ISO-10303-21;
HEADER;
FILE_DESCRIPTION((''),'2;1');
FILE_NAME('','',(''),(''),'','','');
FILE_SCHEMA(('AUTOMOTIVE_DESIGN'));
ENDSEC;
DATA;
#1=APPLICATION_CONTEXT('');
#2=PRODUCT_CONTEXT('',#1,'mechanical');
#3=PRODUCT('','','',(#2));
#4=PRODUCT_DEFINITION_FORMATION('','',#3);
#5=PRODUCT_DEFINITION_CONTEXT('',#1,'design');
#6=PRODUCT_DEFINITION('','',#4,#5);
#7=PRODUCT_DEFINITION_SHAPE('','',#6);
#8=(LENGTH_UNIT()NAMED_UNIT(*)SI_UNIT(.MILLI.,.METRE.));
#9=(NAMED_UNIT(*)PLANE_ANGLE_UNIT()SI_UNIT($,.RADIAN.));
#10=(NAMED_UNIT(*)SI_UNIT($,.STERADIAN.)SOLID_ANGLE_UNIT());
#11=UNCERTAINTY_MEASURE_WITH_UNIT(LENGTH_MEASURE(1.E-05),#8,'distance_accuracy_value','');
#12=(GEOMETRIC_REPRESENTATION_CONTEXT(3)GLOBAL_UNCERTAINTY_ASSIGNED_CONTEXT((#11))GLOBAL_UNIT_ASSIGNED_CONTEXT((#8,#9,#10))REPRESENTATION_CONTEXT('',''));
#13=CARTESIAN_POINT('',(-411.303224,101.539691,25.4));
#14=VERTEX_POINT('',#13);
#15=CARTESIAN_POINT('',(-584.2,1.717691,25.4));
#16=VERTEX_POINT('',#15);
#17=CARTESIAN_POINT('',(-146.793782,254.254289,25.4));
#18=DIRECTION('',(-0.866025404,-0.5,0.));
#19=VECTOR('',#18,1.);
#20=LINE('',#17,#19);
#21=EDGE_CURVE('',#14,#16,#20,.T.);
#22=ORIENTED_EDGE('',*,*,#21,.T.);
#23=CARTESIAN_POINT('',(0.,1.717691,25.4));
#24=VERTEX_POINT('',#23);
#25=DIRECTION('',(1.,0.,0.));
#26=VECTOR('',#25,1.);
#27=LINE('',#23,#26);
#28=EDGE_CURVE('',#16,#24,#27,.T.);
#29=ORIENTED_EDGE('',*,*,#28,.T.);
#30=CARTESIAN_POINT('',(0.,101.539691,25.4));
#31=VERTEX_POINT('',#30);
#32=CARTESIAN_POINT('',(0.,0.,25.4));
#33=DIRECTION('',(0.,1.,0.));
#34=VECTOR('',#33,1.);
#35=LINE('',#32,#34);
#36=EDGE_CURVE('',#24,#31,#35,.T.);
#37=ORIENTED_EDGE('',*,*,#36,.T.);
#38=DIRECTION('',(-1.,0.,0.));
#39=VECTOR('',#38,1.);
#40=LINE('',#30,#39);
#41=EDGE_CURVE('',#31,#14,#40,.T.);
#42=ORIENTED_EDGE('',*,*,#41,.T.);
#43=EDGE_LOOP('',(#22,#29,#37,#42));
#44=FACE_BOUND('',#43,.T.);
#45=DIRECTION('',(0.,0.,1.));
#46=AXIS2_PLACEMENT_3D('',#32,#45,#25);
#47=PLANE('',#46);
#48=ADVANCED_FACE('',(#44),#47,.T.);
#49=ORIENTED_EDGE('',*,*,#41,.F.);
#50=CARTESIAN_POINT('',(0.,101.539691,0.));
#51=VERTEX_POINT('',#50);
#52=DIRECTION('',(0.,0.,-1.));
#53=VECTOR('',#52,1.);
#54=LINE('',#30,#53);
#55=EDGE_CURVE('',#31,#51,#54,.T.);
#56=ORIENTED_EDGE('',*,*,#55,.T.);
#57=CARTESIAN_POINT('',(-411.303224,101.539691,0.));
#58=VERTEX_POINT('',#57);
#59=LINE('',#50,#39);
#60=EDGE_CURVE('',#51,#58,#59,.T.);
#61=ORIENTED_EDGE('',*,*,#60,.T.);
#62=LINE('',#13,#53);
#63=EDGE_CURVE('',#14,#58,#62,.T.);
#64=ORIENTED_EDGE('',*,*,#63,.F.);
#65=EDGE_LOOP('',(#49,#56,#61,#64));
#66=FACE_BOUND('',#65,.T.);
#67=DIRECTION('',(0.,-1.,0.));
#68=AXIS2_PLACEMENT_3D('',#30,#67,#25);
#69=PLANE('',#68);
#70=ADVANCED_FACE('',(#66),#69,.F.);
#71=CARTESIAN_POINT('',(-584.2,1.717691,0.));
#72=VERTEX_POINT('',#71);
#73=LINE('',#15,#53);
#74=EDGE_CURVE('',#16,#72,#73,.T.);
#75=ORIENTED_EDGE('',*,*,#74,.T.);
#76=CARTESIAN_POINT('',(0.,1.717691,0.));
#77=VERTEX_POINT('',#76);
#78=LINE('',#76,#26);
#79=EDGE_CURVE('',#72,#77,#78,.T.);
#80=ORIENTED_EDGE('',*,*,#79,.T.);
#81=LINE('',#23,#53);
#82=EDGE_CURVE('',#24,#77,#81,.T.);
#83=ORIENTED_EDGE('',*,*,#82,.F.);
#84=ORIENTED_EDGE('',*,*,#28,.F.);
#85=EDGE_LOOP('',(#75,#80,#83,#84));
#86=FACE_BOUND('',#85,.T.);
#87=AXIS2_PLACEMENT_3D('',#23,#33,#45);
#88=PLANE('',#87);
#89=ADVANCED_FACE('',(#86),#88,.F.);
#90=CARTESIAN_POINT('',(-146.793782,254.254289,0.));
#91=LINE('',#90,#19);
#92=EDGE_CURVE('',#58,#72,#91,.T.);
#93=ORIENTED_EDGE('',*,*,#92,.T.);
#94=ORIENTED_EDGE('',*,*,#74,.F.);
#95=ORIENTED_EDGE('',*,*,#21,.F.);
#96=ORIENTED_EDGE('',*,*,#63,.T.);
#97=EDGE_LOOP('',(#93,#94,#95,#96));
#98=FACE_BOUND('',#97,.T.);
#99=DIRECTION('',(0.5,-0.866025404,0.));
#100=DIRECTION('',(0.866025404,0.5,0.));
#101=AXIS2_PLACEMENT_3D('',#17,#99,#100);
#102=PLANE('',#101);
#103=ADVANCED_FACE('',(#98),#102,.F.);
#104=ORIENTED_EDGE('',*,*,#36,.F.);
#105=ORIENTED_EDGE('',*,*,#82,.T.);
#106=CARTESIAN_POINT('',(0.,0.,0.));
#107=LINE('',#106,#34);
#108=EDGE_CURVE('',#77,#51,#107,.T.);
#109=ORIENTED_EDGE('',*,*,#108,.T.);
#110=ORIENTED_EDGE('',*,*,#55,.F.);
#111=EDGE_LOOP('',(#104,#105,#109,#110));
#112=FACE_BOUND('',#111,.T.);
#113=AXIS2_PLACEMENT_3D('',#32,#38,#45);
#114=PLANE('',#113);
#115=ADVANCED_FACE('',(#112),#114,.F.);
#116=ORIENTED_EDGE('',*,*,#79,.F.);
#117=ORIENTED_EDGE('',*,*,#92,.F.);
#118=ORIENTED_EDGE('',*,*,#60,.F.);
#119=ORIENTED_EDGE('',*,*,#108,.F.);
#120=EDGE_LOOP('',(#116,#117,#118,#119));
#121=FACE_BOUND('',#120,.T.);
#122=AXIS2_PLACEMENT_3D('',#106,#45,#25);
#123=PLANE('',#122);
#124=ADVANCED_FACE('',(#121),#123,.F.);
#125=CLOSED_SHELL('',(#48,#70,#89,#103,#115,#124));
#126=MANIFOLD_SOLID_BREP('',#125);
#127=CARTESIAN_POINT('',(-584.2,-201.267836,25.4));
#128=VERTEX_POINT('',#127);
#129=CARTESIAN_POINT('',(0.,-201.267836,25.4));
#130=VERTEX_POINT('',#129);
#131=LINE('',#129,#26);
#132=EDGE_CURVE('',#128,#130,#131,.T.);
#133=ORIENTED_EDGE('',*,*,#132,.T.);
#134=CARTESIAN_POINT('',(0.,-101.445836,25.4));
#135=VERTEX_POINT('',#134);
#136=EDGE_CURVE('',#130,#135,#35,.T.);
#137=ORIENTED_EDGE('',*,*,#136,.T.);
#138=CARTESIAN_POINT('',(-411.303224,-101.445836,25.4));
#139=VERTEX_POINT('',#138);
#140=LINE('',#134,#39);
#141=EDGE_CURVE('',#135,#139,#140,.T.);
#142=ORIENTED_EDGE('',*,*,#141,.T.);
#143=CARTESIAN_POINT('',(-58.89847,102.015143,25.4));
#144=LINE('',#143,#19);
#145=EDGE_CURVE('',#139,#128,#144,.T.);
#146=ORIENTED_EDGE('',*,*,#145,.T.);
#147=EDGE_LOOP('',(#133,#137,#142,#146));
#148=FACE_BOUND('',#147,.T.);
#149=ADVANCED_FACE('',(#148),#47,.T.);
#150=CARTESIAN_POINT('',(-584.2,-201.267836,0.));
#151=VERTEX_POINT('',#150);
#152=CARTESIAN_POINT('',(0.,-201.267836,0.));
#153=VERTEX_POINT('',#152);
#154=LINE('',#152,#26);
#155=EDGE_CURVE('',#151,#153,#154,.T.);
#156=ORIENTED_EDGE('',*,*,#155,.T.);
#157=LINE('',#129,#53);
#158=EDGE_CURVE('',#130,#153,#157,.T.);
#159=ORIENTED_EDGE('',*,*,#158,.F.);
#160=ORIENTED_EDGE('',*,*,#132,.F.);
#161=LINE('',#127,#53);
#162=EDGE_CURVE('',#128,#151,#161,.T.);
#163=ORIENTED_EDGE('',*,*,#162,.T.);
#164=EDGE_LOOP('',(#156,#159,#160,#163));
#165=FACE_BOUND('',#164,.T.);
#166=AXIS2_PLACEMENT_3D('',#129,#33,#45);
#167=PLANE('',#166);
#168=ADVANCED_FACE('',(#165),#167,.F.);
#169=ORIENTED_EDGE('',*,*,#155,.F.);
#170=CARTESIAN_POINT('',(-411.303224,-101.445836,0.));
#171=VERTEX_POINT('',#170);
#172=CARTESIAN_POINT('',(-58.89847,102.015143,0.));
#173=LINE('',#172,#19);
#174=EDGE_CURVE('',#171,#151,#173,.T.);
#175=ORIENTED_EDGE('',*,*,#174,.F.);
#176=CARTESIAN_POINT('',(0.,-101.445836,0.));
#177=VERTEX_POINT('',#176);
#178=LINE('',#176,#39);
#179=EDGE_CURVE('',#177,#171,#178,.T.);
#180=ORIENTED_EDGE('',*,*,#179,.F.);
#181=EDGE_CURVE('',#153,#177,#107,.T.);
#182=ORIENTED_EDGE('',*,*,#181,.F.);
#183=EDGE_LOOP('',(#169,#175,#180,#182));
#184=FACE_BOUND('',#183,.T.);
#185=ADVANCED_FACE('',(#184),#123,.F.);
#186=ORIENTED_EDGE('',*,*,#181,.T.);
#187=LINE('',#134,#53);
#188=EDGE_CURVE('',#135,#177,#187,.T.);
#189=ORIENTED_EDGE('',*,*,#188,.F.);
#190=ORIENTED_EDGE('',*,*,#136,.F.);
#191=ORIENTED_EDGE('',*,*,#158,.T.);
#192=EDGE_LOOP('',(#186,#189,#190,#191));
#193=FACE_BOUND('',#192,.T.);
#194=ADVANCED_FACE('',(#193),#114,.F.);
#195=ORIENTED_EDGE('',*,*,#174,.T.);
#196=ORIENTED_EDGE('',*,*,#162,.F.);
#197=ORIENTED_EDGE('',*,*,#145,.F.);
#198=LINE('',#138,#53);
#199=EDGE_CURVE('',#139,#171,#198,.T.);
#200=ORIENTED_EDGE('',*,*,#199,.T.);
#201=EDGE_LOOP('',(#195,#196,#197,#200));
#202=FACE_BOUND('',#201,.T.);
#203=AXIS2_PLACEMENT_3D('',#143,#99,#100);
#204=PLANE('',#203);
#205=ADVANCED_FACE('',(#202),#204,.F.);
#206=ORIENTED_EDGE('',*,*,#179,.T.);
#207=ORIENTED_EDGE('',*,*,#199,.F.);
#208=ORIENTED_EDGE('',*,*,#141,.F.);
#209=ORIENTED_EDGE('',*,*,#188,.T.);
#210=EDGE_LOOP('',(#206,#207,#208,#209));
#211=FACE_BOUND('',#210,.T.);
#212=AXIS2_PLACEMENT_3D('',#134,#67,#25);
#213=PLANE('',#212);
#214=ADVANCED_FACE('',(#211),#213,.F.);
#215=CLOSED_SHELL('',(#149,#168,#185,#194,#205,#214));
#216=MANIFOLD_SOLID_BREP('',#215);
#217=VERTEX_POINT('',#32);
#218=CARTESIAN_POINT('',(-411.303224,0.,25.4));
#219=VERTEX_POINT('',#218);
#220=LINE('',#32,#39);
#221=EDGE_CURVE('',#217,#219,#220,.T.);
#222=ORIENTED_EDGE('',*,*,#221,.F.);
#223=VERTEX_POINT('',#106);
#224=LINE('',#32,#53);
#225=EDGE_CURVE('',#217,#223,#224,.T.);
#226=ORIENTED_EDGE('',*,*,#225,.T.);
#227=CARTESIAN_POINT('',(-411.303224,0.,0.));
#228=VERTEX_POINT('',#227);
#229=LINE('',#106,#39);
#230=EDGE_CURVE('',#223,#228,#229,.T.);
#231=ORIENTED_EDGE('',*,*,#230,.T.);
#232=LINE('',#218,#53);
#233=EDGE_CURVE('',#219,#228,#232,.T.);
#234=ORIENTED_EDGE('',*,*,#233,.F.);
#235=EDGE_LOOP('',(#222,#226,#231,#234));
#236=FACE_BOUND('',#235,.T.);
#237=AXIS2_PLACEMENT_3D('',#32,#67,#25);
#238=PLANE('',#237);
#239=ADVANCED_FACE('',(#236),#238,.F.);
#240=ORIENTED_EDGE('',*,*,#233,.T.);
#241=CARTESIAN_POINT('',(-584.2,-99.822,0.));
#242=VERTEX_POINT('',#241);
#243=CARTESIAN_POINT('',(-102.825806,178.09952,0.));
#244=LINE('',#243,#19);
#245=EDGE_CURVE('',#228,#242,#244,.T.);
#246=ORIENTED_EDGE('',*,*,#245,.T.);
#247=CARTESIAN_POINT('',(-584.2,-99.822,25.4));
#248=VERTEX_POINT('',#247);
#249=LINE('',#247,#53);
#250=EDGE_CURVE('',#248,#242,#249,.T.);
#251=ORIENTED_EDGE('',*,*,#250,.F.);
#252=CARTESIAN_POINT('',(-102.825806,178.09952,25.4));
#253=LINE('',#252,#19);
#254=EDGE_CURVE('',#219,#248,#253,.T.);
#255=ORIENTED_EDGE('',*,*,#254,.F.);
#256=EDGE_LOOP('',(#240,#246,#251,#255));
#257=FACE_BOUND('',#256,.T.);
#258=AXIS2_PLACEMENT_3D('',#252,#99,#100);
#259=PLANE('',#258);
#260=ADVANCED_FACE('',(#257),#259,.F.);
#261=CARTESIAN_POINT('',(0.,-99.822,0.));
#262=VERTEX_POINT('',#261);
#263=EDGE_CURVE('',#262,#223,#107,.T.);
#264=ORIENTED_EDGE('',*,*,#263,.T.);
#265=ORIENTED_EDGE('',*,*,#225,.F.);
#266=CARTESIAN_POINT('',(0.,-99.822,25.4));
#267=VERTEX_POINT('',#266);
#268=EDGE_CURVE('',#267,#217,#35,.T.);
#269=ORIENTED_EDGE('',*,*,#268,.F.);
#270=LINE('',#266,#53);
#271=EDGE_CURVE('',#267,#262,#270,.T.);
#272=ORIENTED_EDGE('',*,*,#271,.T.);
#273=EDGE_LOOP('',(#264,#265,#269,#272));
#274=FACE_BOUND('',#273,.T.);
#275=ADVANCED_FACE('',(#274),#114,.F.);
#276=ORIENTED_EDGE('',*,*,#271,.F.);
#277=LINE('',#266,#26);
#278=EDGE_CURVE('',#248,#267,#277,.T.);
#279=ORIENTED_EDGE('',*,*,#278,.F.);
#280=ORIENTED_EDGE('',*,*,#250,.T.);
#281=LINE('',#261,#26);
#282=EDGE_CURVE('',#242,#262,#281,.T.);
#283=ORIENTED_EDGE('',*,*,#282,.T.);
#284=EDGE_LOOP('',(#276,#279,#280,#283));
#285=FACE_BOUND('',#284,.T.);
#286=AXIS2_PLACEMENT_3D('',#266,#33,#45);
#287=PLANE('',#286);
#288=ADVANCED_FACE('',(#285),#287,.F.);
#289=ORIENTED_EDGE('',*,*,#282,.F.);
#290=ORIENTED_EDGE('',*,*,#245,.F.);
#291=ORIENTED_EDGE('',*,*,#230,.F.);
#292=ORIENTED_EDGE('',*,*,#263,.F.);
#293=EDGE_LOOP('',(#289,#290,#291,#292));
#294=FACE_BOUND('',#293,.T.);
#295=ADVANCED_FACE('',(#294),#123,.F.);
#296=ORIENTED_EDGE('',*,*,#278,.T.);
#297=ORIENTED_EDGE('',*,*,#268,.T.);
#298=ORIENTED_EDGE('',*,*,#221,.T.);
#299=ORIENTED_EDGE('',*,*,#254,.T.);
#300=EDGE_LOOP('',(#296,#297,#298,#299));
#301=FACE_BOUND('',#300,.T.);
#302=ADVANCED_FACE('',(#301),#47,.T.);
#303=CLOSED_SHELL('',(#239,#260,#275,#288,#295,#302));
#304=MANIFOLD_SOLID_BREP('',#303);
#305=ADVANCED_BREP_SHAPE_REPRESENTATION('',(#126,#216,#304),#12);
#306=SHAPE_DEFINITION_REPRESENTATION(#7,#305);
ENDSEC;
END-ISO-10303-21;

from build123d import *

# Parameters (mm, degrees)
BOSS_EXTRUDE1_DEPTH   = 25.4
BOSS_EXTRUDE1_2_DEPTH = 25.4
BOSS_EXTRUDE1_3_DEPTH = 25.4


with BuildPart() as part:
    # Sketch1 → Boss-Extrude1 (new body)
    with BuildSketch(Plane.XY):
        Polygon((0, 0), (-411.303224287, 0), (-584.2, -99.822), (0, -99.822), align=None)
    extrude(amount=BOSS_EXTRUDE1_DEPTH)


with BuildPart() as body_2:
    # Sketch1 → Boss-Extrude1 2 (new body)
    with BuildSketch(Plane.XY):
        Polygon((0, 101.539691072), (-411.303224287, 101.539691072), (-584.2, 1.717691072), (0, 1.717691072), align=None)
    extrude(amount=BOSS_EXTRUDE1_2_DEPTH)


with BuildPart() as body_3:
    # Sketch1 → Boss-Extrude1 3 (new body)
    with BuildSketch(Plane.XY):
        Polygon((0, -101.445836193), (-411.303224287, -101.445836193), (-584.2, -201.267836193), (0, -201.267836193), align=None)
    extrude(amount=BOSS_EXTRUDE1_3_DEPTH)


solid = Compound([part.part, body_2.part, body_3.part])
